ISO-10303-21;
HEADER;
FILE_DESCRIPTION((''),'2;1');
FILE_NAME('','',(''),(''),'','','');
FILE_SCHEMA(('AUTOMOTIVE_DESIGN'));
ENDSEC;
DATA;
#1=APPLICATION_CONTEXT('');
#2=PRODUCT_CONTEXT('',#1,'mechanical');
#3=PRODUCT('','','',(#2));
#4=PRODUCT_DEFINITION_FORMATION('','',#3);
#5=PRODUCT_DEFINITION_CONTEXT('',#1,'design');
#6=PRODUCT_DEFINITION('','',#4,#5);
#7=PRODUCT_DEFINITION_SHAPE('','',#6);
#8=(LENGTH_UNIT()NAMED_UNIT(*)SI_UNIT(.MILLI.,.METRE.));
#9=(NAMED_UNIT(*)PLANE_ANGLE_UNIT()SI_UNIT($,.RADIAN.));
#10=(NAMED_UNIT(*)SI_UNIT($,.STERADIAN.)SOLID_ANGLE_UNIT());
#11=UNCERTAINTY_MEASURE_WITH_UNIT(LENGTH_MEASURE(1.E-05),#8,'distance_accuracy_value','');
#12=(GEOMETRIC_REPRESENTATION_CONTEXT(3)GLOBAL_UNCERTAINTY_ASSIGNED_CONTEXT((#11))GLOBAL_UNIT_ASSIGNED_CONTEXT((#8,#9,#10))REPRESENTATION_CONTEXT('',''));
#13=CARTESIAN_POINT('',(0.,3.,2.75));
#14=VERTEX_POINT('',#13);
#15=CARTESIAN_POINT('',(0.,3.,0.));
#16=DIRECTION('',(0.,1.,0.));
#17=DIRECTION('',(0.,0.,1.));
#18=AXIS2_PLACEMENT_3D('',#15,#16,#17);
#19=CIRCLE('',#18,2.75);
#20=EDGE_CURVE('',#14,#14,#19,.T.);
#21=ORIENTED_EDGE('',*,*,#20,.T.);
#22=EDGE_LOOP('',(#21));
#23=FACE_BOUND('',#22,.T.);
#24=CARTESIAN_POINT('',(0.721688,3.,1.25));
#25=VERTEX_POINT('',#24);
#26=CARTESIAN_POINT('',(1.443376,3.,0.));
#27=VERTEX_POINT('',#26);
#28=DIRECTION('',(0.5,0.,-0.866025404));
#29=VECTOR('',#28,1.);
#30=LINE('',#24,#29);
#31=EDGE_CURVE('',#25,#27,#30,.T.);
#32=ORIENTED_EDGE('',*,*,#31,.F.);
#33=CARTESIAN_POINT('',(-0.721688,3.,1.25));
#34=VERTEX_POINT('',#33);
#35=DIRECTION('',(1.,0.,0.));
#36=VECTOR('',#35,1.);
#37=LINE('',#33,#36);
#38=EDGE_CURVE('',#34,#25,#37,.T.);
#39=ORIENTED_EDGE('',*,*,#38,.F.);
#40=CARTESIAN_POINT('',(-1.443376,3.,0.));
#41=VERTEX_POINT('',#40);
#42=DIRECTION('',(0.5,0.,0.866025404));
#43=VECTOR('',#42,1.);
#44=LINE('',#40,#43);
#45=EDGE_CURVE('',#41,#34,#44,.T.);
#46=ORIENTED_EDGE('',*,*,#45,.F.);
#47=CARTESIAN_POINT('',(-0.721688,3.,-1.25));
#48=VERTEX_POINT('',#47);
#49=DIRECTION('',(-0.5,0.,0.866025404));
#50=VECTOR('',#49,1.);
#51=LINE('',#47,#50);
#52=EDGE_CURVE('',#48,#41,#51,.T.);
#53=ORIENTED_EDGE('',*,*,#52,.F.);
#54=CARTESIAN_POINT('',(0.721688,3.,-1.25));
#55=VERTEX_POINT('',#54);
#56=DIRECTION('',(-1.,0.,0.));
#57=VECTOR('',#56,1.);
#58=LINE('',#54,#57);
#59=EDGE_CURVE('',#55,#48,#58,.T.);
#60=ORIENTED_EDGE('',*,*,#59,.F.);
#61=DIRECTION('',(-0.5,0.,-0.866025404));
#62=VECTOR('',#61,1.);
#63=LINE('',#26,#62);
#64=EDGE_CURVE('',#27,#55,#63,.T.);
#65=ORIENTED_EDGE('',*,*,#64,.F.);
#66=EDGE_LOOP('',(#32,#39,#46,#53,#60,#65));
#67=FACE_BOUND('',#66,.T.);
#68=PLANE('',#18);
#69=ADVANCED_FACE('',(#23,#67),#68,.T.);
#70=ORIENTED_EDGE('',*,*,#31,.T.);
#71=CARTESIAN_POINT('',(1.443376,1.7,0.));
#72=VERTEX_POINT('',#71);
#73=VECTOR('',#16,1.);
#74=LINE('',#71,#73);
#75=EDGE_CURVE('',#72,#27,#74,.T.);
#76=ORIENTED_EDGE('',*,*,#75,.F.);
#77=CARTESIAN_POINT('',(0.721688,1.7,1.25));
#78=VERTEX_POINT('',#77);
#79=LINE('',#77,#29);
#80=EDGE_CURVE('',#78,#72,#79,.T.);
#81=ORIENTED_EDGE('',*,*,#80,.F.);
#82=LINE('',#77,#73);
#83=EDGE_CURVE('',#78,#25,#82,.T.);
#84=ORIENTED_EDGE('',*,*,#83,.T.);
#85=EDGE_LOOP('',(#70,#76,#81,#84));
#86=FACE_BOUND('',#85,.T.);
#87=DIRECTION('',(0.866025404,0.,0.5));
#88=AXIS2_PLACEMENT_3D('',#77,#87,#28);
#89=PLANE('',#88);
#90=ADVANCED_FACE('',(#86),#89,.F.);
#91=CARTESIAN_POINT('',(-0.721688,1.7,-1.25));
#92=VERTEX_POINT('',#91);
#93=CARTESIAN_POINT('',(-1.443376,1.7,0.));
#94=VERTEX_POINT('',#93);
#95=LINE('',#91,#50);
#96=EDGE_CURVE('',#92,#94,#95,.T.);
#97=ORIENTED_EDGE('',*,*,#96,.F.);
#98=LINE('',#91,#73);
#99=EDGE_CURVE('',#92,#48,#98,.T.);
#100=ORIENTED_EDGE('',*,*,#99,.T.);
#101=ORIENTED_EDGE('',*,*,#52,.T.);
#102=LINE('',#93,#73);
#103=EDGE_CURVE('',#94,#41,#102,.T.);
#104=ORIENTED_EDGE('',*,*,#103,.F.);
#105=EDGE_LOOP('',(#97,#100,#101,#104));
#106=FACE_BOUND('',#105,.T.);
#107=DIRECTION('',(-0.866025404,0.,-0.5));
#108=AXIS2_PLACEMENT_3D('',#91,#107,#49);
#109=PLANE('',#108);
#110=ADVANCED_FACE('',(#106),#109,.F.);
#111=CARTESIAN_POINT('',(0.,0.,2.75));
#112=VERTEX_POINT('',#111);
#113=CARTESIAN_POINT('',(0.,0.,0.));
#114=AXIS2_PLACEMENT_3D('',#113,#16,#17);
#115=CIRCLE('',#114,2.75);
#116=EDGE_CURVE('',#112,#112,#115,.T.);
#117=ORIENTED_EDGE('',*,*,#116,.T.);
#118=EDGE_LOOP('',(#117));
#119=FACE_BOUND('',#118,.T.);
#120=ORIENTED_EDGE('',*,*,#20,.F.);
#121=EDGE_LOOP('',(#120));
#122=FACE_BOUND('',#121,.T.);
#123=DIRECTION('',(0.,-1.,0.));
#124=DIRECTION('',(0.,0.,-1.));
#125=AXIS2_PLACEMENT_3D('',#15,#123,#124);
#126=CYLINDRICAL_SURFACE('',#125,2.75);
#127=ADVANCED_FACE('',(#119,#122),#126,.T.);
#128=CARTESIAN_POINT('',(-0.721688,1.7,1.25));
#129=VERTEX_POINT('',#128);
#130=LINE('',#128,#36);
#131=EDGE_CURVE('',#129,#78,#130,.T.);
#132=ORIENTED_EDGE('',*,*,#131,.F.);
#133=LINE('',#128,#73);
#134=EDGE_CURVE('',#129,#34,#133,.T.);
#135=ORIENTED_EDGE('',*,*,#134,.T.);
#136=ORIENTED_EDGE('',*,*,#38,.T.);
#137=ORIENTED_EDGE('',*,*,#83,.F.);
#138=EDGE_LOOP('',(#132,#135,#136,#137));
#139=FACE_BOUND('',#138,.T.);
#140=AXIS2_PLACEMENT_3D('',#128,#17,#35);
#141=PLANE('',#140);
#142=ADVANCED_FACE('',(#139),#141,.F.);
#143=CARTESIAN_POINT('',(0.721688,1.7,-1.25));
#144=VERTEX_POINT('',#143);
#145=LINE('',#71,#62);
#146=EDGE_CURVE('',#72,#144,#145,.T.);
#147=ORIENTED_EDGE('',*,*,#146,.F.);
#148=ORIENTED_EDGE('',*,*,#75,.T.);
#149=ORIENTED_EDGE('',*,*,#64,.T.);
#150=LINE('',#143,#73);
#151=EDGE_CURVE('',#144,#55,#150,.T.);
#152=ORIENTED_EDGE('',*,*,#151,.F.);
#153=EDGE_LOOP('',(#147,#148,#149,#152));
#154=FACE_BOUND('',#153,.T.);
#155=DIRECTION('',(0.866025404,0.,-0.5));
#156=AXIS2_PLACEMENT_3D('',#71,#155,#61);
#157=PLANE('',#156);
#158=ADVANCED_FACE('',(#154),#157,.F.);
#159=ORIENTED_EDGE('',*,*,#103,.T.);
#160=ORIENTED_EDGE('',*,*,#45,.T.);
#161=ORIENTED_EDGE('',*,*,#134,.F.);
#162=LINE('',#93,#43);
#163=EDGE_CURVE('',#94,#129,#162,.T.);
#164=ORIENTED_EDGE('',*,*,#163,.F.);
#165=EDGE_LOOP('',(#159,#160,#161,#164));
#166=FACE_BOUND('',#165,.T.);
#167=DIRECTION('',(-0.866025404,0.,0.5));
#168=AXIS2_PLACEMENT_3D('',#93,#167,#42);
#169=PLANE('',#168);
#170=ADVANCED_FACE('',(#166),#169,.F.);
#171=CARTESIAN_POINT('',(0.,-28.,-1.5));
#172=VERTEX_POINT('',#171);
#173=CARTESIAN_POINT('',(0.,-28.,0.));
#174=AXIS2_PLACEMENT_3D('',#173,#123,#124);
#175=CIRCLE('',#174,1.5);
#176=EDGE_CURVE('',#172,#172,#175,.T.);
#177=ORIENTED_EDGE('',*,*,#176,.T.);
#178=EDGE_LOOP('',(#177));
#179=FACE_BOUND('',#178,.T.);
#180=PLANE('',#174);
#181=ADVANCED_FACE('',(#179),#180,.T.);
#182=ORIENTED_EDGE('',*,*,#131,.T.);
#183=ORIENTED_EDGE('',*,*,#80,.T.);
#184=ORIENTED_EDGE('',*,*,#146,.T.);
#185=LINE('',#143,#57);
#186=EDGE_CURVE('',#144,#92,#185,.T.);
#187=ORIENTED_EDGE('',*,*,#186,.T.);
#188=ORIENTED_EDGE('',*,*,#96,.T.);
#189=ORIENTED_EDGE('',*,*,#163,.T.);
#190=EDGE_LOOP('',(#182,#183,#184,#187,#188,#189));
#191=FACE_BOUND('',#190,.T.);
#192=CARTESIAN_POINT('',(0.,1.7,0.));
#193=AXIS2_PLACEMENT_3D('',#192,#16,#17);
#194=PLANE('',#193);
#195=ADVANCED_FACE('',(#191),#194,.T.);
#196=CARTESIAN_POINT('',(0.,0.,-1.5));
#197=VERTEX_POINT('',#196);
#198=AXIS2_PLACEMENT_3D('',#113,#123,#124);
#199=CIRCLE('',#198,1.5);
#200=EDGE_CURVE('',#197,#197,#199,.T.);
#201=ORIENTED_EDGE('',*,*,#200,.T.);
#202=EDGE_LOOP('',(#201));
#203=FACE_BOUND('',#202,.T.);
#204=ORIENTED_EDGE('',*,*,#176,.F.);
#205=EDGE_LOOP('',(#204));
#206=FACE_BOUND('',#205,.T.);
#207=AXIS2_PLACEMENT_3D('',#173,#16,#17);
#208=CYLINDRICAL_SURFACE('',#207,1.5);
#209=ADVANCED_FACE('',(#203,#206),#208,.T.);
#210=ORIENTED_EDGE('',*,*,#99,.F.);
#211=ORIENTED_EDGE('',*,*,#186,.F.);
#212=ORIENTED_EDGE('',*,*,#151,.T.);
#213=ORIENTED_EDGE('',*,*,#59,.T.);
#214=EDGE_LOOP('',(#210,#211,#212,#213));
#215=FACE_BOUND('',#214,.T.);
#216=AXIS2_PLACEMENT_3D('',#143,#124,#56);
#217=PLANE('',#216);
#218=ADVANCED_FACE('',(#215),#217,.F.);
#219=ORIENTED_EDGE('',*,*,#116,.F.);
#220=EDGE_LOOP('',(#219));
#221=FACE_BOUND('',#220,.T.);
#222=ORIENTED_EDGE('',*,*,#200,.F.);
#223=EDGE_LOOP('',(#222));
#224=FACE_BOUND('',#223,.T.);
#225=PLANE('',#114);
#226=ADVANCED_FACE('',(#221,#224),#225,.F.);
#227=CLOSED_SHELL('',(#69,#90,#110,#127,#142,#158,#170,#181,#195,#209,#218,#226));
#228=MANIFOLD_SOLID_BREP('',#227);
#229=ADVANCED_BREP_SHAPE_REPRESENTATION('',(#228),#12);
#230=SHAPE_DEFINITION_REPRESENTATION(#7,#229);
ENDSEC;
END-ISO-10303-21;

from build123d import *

# Parameters (mm, degrees)
SKETCH_1_R            = 2.75
EXTRUDE_248_DEPTH     = 3
CUT_EXTRUDE_378_DEPTH = 1.3
SKETCH_3_R            = 1.5
EXTRUDE_479_DEPTH     = 28


with BuildPart() as part:
    # 草图1 → Extrude 248 (new body)
    with BuildSketch(Plane(origin=(0, 0, 0), x_dir=(1, 0, 0), z_dir=(0, 1, 0))):
        Circle(SKETCH_1_R)
    extrude(amount=EXTRUDE_248_DEPTH)

    # 草图2 → Cut-Extrude 378 (cut)
    with BuildSketch(Plane(origin=(0, 3, 0), x_dir=(1, 0, 0), z_dir=(0, 1, 0))):
        Polygon((1.443375673, 0), (0.721687836, 1.25), (-0.721687836, 1.25), (-1.443375673, 0), (-0.721687836, -1.25), (0.721687836, -1.25), align=None)
    extrude(amount=-CUT_EXTRUDE_378_DEPTH, mode=Mode.SUBTRACT)

    # 草图3 → Extrude 479 (add)
    with BuildSketch(Plane.XZ):
        Circle(SKETCH_3_R)
    extrude(amount=EXTRUDE_479_DEPTH)


solid = part.part
